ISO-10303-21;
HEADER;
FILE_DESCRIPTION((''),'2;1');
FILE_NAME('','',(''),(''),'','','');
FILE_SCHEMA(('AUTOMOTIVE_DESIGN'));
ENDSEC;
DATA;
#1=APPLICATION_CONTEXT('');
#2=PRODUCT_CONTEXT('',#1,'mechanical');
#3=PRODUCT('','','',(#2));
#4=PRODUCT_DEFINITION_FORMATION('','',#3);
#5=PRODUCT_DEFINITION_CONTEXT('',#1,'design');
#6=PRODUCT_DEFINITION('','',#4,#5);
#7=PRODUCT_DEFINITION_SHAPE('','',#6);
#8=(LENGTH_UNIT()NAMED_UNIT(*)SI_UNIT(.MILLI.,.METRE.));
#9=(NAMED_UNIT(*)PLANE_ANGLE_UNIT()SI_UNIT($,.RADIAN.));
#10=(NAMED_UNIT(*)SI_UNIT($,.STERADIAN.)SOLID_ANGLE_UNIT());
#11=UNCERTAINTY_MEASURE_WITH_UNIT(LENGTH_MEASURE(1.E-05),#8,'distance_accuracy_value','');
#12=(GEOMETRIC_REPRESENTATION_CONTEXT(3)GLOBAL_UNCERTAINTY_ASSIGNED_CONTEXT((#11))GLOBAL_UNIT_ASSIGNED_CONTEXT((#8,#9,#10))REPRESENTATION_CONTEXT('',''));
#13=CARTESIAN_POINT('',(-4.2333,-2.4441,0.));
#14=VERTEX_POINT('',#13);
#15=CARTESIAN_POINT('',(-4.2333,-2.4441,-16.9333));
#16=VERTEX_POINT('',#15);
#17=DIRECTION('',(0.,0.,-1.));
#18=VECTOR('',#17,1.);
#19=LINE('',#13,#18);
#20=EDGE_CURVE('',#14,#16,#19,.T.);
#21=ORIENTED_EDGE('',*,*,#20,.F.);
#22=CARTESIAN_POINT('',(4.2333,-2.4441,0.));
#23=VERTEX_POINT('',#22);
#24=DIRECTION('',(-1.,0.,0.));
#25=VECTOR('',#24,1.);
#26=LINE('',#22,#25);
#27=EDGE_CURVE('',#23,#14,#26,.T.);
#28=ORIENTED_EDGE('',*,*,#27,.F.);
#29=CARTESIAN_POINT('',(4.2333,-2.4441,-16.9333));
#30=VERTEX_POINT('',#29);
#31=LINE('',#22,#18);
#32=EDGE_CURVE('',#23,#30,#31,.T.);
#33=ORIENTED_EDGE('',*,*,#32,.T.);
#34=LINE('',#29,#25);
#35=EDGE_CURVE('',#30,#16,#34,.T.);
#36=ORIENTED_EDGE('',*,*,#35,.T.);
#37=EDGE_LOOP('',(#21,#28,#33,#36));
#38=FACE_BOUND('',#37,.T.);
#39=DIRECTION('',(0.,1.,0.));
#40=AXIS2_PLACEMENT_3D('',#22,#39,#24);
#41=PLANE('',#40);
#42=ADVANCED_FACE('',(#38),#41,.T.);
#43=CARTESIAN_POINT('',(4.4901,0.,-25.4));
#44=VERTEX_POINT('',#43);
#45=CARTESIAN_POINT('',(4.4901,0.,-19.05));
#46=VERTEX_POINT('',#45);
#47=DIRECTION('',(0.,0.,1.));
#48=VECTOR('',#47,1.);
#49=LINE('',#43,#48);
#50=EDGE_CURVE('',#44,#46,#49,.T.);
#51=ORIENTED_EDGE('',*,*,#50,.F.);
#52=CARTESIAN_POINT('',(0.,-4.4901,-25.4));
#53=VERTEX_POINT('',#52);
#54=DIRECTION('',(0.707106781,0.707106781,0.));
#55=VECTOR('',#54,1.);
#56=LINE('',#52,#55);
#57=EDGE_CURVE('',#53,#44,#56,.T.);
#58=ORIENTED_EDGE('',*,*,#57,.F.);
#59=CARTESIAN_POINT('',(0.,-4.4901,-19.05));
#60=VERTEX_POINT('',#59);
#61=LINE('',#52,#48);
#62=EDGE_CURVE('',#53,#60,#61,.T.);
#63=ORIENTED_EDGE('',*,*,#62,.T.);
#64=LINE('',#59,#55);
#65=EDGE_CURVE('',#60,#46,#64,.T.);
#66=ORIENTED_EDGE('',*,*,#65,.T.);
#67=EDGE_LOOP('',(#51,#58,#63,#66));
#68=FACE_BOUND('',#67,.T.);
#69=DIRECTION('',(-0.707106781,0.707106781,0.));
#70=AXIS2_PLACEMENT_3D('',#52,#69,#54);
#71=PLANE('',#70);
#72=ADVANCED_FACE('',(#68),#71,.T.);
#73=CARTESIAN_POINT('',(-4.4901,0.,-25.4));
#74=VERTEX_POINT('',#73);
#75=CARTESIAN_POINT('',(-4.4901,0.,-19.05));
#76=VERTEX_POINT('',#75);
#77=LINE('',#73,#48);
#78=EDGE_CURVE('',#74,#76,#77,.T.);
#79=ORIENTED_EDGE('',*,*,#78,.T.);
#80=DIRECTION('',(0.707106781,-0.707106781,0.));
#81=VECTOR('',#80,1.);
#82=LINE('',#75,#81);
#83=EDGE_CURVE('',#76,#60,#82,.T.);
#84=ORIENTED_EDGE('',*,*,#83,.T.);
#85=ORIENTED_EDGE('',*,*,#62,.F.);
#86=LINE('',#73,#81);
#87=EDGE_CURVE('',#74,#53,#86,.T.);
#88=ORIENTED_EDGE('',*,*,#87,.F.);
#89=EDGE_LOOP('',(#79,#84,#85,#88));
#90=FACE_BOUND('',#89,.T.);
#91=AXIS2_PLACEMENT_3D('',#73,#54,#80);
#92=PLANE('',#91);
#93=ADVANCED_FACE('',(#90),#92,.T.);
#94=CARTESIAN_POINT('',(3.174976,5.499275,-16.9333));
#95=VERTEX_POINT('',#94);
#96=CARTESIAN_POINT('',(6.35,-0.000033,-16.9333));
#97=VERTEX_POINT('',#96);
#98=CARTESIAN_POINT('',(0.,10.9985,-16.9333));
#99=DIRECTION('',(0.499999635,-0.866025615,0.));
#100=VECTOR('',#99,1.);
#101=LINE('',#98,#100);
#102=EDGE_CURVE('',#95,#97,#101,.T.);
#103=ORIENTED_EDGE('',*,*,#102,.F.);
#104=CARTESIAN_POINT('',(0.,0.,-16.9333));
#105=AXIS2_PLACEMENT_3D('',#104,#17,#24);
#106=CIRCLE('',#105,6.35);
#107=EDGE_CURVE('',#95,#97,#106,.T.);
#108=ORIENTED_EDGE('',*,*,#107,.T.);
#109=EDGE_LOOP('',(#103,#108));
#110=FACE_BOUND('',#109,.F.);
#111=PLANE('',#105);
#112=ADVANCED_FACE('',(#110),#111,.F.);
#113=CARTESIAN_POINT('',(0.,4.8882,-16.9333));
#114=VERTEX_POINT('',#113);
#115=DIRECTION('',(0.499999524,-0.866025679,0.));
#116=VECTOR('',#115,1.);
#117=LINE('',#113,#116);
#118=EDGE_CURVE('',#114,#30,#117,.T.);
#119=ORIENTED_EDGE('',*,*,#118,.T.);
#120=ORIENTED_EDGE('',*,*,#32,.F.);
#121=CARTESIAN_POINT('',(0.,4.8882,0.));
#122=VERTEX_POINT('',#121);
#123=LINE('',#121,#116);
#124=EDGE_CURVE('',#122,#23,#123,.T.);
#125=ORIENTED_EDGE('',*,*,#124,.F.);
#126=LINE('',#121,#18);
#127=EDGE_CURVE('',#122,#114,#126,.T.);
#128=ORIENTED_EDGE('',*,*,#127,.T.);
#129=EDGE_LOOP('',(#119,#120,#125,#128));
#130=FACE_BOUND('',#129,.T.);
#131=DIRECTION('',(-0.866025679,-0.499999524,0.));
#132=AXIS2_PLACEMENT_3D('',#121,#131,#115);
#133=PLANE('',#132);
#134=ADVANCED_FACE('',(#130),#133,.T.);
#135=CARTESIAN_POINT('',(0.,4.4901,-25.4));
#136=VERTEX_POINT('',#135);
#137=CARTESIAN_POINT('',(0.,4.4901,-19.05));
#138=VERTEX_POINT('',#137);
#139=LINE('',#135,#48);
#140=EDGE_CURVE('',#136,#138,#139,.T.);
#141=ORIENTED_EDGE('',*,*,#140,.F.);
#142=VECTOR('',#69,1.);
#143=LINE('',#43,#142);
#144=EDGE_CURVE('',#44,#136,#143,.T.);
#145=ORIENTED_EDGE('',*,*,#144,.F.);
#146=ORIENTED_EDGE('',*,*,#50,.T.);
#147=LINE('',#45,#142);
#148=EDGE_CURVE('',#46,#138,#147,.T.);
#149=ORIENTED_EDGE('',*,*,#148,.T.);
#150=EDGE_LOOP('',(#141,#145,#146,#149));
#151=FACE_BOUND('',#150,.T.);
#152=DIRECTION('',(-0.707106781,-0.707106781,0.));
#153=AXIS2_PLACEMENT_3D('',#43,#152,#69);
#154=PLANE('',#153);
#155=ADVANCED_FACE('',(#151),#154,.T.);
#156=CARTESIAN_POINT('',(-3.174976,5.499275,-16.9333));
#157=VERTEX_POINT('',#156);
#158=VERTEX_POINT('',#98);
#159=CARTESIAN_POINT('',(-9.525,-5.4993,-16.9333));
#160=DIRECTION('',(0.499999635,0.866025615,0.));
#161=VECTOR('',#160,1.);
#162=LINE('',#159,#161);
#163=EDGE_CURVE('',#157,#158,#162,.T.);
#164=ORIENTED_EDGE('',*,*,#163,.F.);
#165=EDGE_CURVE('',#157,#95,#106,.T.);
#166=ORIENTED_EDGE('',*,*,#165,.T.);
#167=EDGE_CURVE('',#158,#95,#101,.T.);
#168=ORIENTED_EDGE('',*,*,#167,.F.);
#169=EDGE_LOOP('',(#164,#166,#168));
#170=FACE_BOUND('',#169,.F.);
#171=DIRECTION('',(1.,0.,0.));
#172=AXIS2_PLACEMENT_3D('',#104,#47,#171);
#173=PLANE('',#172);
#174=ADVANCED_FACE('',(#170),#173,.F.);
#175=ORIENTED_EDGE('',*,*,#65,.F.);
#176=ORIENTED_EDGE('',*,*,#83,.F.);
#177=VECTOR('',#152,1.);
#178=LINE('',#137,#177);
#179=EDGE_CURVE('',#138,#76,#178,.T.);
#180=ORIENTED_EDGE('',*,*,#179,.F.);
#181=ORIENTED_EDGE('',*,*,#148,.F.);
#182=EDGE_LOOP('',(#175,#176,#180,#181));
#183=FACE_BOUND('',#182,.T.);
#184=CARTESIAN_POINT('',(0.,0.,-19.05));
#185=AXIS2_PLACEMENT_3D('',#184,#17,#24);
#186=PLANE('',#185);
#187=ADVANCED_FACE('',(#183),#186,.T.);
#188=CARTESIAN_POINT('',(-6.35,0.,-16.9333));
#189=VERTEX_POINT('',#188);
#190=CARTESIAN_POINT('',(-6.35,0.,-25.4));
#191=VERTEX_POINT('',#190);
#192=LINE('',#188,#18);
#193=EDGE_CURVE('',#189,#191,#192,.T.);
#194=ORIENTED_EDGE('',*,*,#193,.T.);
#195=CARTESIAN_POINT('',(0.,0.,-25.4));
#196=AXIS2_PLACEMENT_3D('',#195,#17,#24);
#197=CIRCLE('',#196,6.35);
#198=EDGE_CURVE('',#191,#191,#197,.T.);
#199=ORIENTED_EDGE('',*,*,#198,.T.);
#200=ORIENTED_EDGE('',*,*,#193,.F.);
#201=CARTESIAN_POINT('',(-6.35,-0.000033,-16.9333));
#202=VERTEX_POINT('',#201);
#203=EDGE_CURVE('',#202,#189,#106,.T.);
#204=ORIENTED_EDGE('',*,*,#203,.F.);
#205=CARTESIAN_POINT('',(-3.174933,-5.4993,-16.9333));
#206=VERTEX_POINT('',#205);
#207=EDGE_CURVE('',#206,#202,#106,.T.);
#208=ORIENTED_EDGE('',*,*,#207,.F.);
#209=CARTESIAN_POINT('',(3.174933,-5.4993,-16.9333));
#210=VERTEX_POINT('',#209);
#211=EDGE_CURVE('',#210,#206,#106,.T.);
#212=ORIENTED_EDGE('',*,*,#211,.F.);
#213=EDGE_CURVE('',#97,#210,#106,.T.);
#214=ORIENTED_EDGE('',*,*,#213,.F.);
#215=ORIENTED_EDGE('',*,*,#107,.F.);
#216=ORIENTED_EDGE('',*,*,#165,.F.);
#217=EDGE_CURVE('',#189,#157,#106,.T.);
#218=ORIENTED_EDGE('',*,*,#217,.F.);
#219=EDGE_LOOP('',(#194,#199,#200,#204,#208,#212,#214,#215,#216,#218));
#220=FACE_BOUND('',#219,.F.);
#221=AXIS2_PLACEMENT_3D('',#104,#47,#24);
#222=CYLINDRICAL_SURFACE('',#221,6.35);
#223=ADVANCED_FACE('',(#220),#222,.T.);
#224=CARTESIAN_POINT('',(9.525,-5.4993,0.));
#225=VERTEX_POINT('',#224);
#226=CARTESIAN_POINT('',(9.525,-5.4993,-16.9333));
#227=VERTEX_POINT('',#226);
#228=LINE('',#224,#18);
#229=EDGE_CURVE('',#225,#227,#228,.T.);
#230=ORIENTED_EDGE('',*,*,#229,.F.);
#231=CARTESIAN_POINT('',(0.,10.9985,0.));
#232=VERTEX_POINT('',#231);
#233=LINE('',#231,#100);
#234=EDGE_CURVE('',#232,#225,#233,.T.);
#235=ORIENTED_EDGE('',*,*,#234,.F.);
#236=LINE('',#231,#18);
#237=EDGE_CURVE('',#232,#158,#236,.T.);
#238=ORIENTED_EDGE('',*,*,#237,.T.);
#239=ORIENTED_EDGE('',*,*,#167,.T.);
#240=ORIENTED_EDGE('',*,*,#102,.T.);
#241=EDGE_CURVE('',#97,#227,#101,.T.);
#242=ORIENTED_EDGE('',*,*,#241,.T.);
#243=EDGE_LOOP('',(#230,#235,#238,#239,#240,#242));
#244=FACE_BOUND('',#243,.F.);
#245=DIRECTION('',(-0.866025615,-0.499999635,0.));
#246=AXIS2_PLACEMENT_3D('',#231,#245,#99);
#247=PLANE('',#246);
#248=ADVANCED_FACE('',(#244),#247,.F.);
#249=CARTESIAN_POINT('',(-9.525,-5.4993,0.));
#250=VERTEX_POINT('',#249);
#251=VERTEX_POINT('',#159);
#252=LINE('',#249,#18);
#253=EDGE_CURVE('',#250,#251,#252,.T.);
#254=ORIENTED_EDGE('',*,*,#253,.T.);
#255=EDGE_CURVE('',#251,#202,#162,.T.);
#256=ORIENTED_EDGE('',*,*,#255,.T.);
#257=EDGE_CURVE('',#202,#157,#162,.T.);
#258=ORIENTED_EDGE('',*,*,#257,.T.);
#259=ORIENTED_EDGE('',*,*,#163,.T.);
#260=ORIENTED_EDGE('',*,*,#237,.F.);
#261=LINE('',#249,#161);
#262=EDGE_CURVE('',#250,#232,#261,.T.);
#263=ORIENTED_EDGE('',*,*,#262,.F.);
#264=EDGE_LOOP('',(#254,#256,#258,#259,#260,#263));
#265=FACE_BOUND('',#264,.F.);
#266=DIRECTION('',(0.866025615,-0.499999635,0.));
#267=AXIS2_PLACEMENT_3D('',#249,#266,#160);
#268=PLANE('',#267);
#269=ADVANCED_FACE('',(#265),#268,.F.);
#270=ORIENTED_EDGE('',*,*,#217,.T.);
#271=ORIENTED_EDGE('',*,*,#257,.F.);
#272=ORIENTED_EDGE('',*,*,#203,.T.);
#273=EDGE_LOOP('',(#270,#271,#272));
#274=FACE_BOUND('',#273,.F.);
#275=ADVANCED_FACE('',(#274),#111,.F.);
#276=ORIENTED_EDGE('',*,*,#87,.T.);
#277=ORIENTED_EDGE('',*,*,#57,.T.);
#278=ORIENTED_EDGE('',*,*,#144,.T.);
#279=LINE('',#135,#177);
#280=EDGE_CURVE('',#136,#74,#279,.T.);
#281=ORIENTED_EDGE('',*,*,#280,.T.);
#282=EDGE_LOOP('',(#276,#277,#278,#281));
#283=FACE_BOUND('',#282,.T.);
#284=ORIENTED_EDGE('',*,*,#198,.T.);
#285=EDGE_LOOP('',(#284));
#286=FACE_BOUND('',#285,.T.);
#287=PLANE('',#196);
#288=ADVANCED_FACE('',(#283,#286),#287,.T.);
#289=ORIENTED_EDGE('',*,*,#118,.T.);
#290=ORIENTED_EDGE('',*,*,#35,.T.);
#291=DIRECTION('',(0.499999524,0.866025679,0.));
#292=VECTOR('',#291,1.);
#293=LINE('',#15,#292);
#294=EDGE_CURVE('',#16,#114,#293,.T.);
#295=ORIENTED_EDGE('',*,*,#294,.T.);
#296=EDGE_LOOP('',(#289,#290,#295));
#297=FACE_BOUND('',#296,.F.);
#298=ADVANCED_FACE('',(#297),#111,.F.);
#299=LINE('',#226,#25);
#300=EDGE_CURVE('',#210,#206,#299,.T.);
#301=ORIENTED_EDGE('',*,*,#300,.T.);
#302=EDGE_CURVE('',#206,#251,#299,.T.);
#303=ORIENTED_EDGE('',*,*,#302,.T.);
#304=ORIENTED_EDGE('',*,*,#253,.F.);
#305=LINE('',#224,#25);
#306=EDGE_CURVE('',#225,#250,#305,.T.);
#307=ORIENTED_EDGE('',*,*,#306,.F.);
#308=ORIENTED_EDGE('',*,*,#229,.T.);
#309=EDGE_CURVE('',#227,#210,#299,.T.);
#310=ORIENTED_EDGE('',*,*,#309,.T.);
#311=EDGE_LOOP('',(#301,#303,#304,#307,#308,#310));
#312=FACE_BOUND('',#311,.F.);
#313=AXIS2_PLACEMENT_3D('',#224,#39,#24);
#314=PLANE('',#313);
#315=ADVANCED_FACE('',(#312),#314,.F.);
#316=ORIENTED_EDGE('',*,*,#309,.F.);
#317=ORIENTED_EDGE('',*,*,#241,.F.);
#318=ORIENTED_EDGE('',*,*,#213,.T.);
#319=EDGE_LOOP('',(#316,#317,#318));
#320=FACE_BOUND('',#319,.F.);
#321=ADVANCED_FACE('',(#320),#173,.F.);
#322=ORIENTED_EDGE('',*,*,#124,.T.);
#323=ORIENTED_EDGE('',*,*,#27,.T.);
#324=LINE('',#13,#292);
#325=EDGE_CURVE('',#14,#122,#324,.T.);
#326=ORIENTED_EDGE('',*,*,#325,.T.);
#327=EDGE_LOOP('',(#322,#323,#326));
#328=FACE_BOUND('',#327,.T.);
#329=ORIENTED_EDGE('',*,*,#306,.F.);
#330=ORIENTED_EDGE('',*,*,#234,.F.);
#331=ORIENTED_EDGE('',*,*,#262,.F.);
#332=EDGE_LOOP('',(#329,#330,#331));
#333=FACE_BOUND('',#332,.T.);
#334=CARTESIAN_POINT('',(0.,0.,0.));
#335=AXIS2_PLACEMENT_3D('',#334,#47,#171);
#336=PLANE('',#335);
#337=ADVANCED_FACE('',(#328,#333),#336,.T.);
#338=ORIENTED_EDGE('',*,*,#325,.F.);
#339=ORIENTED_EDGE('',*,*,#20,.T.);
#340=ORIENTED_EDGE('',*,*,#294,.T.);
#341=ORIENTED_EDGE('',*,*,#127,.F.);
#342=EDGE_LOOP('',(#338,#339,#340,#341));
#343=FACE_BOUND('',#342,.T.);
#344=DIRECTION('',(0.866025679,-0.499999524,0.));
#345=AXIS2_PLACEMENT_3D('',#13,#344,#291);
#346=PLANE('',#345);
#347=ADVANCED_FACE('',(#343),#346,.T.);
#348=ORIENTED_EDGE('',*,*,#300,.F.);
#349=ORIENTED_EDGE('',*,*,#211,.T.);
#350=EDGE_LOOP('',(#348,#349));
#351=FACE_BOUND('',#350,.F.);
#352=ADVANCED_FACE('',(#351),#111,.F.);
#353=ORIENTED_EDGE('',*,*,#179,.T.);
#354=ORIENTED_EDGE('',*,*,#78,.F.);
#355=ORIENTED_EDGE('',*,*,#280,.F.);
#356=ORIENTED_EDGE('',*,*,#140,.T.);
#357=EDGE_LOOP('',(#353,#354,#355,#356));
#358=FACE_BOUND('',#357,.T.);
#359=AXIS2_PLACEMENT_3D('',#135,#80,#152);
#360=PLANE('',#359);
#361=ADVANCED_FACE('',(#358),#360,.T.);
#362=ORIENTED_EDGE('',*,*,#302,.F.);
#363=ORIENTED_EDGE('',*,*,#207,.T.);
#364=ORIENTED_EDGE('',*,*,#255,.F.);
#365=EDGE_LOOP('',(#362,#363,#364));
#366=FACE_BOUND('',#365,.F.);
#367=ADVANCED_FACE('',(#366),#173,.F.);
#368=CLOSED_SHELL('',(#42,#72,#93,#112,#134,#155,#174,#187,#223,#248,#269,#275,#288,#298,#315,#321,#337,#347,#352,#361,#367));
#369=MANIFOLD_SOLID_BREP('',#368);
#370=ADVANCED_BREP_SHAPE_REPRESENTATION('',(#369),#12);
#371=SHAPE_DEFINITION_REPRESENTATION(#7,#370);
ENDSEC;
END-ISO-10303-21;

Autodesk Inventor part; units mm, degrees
ref_plane "YZ Plane" through (0, 0, 0) normal (1, 0, 0) x (0, 1, 0)
ref_plane "XZ Plane" through (0, 0, 0) normal (0, 1, 0) x (-1, 0, 0)
ref_plane "XY Plane" through (0, 0, 0) normal (0, 0, 1) x (1, 0, 0)
sketch "Sketch1" plane through (0, 0, 0) normal (0, 0, 1) x (1, 0, 0)
  line L0 (0, 10.9985) -> (9.525, -5.4993)
  line L1 (9.525, -5.4993) -> (-9.525, -5.4993)
  line L2 (-9.525, -5.4993) -> (0, 10.9985)
  line L3 (0, 4.8882) -> (4.2333, -2.4441)
  line L4 (4.2333, -2.4441) -> (-4.2333, -2.4441)
  line L5 (-4.2333, -2.4441) -> (0, 4.8882)
  point P0 (0, 0)
  point P1 (0, 0)
  point P2 (0, 0)
  dimension "d0" = 19.05
  dimension "d1" = 8.4667
extrude "Extrusion1" add sketch "Sketch1" against normal blind 16.9333
sketch "Sketch2" plane through (0, 0, -16.9333) normal (0, 0, -1) x (-1, 0, 0)
  circle A0 centre (0, 0) radius 6.35
  dimension "d4" = 12.7
extrude "Extrusion2" add sketch "Sketch2" along normal blind 8.4667
sketch "Sketch3" plane through (0, 0, -25.4) normal (0, 0, -1) x (-1, 0, 0)
  line L0 (4.4901, 0) -> (0, -4.4901)
  line L1 (0, -4.4901) -> (-4.4901, 0)
  line L2 (-4.4901, 0) -> (0, 4.4901)
  line L3 (0, 4.4901) -> (4.4901, 0)
  line L4 (4.4901, 0) -> (-4.4901, 0) construction
  line L5 (0, -4.4901) -> (0, 4.4901) construction
  point P0 (0, 0)
  dimension "d7" = 6.35
  dimension "d8" = 6.35
extrude "Extrusion3" cut sketch "Sketch3" against normal blind 6.35
properties part number "Driver Shaft Power" material "ABS Plastic"
